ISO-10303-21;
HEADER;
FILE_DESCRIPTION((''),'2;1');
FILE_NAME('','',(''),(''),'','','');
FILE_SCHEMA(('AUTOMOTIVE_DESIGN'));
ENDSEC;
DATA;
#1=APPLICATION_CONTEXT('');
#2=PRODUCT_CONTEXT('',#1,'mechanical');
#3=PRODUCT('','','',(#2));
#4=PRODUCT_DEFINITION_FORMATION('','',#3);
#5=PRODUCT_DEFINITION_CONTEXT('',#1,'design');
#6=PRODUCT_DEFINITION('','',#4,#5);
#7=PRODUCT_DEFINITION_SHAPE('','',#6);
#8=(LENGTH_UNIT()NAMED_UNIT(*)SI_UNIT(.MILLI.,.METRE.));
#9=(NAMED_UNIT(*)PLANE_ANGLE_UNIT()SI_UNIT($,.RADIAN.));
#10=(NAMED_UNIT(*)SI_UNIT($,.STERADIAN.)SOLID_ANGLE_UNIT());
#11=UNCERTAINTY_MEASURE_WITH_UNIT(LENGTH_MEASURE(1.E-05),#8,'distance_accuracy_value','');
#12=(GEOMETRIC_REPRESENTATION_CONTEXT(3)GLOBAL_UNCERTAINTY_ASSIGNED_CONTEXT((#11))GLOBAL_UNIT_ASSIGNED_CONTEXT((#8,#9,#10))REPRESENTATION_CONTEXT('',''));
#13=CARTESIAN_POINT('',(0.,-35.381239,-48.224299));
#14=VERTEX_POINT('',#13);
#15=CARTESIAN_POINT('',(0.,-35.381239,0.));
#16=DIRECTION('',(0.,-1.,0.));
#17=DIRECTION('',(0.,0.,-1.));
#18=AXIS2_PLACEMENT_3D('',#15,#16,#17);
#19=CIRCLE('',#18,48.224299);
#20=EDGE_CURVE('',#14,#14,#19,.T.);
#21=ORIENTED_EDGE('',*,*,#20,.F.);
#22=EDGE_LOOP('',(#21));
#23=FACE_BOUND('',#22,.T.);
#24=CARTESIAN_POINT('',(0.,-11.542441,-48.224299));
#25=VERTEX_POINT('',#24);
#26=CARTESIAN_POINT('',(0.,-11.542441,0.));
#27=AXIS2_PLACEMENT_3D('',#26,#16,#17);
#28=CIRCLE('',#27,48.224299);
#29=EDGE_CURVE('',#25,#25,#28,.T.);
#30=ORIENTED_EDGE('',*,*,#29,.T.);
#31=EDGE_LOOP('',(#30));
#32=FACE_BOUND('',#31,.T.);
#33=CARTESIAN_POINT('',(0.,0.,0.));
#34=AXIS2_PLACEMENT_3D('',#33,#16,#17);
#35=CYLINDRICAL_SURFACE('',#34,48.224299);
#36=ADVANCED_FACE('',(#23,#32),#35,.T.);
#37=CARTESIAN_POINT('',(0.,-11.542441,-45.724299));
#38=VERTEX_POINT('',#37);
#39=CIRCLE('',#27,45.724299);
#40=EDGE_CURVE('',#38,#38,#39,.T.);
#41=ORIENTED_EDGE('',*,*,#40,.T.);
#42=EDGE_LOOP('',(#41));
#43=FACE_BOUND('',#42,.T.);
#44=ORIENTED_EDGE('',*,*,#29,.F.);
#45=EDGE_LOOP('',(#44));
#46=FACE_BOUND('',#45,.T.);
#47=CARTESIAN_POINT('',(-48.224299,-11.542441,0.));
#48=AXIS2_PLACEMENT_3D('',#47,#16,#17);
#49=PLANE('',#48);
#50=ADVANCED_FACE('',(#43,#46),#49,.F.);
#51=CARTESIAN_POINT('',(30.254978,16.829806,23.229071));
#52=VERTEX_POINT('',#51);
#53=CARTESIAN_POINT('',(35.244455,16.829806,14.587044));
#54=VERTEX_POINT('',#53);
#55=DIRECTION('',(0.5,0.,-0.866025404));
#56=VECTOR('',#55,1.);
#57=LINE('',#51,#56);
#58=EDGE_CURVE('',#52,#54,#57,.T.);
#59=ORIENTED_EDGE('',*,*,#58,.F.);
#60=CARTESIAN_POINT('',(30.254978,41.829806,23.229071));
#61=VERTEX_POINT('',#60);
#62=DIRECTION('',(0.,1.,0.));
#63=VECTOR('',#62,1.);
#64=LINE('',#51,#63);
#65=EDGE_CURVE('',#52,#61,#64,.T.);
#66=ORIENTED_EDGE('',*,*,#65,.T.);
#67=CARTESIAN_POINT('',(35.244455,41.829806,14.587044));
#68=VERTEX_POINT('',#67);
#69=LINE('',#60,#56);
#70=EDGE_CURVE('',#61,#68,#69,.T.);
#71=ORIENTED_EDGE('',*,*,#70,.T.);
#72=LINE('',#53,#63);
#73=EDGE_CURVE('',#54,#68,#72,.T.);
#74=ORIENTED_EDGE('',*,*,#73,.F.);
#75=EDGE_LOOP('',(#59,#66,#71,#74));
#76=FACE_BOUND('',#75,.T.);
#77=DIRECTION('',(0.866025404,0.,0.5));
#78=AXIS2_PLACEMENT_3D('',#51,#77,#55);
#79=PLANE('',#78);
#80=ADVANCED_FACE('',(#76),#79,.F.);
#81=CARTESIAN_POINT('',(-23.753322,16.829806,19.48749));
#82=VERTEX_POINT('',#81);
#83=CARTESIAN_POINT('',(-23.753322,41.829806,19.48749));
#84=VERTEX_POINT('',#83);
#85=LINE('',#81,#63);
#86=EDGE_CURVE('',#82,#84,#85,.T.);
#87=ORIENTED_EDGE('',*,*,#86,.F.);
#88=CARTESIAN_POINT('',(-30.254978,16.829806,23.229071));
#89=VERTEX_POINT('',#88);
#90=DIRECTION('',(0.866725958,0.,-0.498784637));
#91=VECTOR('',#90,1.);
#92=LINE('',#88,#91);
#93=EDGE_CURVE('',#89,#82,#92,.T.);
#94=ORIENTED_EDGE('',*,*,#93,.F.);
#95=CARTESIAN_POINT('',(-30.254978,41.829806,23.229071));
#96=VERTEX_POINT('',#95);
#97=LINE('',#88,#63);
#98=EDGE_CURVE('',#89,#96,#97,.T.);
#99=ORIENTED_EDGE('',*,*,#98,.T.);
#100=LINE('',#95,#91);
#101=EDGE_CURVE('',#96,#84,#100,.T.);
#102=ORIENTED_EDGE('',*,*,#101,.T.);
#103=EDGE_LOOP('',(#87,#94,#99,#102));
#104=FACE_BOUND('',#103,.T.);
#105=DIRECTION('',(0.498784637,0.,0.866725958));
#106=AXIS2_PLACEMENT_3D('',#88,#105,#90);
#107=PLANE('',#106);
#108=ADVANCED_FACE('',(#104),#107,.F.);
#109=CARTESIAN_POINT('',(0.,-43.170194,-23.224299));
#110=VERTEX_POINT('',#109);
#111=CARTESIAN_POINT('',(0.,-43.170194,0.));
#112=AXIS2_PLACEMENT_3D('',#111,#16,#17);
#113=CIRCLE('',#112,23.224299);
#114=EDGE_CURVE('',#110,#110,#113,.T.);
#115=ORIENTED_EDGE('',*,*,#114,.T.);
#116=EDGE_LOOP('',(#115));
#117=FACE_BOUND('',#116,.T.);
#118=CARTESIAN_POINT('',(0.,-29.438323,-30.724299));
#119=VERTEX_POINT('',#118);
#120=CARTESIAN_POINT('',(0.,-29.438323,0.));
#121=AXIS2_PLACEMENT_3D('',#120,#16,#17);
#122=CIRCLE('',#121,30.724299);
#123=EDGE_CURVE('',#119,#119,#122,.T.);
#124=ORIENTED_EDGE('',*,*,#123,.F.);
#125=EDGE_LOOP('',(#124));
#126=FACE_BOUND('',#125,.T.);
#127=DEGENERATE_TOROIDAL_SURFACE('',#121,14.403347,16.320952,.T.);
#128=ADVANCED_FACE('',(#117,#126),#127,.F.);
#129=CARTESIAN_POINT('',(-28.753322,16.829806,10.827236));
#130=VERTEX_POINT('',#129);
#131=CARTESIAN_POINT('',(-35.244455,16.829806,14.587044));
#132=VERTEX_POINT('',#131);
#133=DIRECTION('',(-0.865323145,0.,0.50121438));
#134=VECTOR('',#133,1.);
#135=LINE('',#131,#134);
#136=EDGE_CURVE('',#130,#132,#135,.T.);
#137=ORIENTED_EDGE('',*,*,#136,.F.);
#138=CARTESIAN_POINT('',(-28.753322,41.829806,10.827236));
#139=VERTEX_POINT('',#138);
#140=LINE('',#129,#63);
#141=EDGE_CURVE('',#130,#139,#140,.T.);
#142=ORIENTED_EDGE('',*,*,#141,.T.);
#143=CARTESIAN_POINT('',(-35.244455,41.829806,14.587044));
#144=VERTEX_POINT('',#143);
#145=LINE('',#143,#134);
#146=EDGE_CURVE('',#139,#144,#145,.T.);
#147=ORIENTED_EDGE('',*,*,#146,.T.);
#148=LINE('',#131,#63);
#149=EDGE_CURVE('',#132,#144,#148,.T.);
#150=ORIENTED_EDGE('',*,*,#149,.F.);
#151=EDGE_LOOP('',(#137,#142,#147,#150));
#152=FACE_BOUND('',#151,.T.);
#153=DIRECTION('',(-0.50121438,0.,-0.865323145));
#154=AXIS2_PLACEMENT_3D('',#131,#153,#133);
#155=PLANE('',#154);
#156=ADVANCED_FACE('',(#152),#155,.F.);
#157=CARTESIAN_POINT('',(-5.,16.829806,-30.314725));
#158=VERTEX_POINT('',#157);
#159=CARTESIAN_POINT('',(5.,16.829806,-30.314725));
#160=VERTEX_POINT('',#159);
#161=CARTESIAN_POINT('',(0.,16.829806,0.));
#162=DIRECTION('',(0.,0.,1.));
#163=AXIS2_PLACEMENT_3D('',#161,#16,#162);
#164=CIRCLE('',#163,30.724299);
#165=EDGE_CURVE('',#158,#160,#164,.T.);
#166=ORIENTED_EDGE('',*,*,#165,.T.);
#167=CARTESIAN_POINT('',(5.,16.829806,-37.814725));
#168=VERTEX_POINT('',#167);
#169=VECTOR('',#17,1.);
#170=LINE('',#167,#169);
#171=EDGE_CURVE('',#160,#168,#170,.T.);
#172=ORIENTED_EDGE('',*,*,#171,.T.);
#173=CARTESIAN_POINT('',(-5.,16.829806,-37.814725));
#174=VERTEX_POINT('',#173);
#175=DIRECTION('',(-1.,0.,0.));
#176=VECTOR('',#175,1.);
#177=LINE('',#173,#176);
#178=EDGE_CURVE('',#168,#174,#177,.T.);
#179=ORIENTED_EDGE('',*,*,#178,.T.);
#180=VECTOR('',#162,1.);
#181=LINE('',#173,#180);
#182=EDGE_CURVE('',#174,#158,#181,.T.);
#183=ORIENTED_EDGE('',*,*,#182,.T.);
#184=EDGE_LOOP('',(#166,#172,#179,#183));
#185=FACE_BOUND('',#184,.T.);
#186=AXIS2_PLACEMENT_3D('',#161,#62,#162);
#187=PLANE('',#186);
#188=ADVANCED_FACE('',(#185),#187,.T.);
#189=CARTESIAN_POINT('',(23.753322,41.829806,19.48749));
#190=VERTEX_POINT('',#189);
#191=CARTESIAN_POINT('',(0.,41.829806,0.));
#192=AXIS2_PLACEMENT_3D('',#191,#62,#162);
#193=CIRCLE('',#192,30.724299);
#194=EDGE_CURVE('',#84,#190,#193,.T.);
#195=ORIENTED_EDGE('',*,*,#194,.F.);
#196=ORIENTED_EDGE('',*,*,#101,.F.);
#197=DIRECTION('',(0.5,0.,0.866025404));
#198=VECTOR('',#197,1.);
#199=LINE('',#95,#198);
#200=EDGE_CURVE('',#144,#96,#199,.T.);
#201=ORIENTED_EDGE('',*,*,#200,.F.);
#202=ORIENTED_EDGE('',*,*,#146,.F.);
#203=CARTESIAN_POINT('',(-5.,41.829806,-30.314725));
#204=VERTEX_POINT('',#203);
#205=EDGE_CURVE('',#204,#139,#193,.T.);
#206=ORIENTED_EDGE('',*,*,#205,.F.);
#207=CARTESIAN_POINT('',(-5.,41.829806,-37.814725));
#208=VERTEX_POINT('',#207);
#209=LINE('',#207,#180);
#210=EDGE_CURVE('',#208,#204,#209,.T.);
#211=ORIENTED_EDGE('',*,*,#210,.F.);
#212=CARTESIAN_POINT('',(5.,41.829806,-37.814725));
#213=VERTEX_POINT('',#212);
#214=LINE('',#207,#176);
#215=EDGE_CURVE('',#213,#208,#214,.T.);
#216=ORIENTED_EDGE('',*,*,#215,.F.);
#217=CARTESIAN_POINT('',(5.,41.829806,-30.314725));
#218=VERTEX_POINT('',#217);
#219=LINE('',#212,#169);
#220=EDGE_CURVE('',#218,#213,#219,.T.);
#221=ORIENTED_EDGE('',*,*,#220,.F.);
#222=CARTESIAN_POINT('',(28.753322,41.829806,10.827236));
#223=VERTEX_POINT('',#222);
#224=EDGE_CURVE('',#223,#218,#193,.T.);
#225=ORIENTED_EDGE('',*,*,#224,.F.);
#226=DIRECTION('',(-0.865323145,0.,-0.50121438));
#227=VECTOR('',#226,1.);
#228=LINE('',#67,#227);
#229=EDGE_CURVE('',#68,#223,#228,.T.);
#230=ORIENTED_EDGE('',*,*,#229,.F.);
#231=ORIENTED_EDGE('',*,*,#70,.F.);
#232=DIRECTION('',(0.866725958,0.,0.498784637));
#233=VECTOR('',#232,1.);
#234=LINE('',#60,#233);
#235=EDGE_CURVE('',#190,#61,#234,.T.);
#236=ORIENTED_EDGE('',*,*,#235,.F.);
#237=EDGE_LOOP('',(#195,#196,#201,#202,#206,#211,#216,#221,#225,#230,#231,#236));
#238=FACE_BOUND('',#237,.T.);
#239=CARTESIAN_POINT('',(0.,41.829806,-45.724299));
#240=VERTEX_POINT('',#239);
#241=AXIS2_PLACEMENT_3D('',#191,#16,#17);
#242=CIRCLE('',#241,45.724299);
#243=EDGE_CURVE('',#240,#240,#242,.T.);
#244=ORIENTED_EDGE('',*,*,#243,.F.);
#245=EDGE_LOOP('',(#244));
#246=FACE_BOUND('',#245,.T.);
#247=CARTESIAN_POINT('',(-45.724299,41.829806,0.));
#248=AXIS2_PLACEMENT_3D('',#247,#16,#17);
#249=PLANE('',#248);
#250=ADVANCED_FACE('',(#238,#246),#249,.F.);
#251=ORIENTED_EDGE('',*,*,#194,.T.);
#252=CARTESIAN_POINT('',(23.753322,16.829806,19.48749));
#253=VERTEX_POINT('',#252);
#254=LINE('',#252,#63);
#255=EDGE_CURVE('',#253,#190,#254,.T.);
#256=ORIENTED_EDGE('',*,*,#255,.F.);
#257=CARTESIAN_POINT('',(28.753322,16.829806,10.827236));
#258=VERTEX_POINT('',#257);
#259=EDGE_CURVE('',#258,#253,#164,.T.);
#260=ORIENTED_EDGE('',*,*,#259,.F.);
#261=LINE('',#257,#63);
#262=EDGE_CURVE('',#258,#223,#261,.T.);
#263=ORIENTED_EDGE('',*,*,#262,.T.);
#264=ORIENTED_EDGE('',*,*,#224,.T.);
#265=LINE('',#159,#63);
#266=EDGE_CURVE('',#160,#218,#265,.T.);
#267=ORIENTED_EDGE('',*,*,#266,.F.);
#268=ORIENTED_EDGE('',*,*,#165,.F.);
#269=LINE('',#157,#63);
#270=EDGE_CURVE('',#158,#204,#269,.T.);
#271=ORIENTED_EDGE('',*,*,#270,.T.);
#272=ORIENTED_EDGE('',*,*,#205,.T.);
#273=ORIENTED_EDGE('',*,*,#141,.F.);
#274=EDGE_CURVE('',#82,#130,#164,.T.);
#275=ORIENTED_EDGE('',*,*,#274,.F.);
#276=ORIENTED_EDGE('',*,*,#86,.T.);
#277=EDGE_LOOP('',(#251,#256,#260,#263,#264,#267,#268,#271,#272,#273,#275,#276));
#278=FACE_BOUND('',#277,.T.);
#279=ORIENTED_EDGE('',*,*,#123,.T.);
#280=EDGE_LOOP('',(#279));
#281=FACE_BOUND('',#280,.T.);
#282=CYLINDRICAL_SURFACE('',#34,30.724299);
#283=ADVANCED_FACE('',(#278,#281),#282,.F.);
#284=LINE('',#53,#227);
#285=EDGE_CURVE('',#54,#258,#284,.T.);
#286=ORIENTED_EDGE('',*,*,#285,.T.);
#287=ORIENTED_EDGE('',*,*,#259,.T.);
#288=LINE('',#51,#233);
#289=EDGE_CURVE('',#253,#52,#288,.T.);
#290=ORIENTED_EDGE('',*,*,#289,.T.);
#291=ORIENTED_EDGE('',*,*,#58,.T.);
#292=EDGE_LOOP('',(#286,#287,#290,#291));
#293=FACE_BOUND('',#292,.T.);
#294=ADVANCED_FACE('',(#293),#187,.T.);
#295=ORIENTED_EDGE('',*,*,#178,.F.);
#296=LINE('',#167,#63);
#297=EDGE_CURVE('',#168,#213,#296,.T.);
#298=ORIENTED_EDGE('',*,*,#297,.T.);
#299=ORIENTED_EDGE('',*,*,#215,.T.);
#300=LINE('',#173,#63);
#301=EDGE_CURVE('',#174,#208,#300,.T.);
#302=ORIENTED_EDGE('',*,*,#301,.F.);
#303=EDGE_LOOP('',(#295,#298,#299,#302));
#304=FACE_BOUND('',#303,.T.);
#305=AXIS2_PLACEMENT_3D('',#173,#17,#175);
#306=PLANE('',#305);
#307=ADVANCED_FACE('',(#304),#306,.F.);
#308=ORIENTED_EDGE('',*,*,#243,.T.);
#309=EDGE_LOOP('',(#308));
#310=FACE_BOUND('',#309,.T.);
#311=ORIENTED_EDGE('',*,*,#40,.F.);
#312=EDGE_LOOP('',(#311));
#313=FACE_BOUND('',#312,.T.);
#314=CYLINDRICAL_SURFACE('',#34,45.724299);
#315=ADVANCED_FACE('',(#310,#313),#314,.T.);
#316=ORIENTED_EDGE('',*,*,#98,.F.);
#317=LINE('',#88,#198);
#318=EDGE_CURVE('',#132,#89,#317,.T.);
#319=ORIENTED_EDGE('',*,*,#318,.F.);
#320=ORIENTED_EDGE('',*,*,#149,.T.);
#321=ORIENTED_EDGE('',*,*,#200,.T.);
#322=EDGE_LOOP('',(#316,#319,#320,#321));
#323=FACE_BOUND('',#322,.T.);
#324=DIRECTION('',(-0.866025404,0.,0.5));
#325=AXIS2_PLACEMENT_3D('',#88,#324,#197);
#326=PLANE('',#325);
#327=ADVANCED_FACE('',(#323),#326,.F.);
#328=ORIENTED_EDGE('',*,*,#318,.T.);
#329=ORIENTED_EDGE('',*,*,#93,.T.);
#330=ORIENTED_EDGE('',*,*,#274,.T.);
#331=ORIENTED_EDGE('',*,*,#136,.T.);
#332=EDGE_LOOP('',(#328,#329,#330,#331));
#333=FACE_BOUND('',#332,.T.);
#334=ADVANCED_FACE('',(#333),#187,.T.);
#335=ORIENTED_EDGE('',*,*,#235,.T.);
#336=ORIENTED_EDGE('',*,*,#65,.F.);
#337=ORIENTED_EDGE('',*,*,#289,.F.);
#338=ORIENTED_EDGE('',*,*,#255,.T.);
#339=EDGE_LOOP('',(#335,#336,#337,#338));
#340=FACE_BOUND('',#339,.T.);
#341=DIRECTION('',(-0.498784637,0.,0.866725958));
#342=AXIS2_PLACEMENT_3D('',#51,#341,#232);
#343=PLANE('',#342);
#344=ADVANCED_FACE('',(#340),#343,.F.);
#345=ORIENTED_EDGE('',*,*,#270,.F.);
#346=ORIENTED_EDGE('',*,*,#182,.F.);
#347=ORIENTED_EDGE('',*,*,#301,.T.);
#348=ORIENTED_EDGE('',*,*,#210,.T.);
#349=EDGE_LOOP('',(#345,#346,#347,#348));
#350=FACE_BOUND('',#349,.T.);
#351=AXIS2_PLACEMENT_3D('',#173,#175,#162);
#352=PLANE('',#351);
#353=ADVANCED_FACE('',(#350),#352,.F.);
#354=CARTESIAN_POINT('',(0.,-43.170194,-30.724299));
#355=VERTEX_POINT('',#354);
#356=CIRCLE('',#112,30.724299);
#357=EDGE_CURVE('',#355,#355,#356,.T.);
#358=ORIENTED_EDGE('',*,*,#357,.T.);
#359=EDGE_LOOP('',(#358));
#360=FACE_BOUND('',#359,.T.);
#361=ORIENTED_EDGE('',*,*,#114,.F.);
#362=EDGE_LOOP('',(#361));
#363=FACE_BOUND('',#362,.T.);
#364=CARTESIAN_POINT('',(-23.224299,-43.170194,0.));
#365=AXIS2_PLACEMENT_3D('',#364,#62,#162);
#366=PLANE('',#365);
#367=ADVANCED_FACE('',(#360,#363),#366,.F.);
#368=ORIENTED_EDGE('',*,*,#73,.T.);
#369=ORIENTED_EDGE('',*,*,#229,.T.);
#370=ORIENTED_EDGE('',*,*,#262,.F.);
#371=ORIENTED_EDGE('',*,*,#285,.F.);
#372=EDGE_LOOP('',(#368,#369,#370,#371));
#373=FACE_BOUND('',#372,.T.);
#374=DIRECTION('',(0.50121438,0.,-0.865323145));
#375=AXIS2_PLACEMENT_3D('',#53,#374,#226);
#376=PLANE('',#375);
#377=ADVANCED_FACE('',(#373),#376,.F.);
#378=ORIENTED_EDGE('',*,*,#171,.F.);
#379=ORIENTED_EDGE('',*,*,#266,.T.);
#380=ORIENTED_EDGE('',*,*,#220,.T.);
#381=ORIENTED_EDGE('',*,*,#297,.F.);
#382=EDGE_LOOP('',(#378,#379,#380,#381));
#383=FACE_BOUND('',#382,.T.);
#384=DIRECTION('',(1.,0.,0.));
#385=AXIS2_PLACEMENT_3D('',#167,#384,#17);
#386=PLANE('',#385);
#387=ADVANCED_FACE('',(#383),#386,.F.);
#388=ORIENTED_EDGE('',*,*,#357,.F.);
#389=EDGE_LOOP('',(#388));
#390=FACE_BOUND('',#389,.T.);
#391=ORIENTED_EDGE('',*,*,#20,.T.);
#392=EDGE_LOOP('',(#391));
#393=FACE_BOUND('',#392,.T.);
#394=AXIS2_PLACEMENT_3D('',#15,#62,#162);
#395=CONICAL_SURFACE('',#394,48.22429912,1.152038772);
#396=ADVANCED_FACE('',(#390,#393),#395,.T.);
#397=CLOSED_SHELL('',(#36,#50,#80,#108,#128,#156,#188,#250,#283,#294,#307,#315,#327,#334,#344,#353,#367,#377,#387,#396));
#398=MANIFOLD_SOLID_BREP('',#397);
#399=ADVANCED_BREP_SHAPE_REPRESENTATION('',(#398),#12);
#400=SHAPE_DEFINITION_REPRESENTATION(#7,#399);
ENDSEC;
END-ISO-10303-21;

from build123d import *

# Parameters (mm, degrees)
SKETCH3_R           = 38.22429912
SKETCH3_R_2         = 30.72429912
BOSS_EXTRUDE1_DEPTH = 25
CUT_EXTRUDE1_START  = -25
CUT_EXTRUDE1_DEPTH  = 25


with BuildPart() as part:
    # Sketch1 → Revolve1 (revolve)
    with BuildSketch(Plane.XY, mode=Mode.PRIVATE) as revolve1_sk:
        with BuildLine():
            Line((-23.22429912, -43.170194275), (-30.72429912, -43.170194275))
            Line((-30.72429912, -43.170194275), (-48.22429912, -35.38123915))
            Line((-48.22429912, -35.38123915), (-48.22429912, -11.542441336))
            Line((-48.22429912, -11.542441336), (-45.72429912, -11.542441336))
            Line((-45.72429912, -11.542441336), (-45.72429912, 41.829805725))
            Line((-45.72429912, 41.829805725), (-38.22429912, 41.829805725))
            Line((-38.22429912, 41.829805725), (-38.22429912, 16.829805725))
            Line((-38.22429912, 16.829805725), (-30.72429912, 16.829805725))
            Line((-30.72429912, 16.829805725), (-30.72429912, -29.438323417))
            ThreePointArc((-30.72429912, -29.438323417), (-28.727100264, -37.261594428), (-23.22429912, -43.170194275))
        make_face()
    revolve(revolve1_sk.sketch.rotate(Axis((0, 0, 0), (0, 1, 0)), 270), axis=Axis((0, 0, 0), (0, 1, 0)))

    # Sketch3 → Boss-Extrude1 (add)
    with BuildSketch(Plane(origin=(0, 16.829805725, 0), x_dir=(1, 0, 0), z_dir=(0, 1, 0))):
        Circle(SKETCH3_R)
        with Locations(Location((0, 0, 0), (0, 0, 90))):
            Circle(SKETCH3_R_2, mode=Mode.SUBTRACT)
    extrude(amount=BOSS_EXTRUDE1_DEPTH)

    # Sketch4 → Cut-Extrude1 (cut)
    with BuildSketch(Plane(origin=(0, 41.829805725, 0), x_dir=(1, 0, 0), z_dir=(0, 1, 0)).offset(CUT_EXTRUDE1_START)):
        with BuildLine():
            Line((-5, 37.814725075), (-5, 30.314725075))
            ThreePointArc((-5, 30.314725075), (0, 30.72429912), (5, 30.314725075))
            Line((5, 30.314725075), (5, 37.814725075))
            Line((5, 37.814725075), (-5, 37.814725075))
        make_face()
        with BuildLine():
            Line((30.254977775, -23.229071276), (23.753322024, -19.487489557))
            ThreePointArc((23.753322024, -19.487489557), (26.608023551, -15.36214956), (28.753322024, -10.827235519))
            Line((28.753322024, -10.827235519), (35.244454719, -14.587043706))
            Line((35.244454719, -14.587043706), (30.254977775, -23.229071276))
        make_face()
        with BuildLine():
            Line((-35.244454719, -14.587043706), (-28.753322024, -10.827235519))
            ThreePointArc((-28.753322024, -10.827235519), (-26.608023551, -15.36214956), (-23.753322024, -19.487489557))
            Line((-23.753322024, -19.487489557), (-30.254977775, -23.229071276))
            Line((-30.254977775, -23.229071276), (-35.244454719, -14.587043706))
        make_face()
    extrude(amount=CUT_EXTRUDE1_DEPTH, mode=Mode.SUBTRACT)


solid = part.part
